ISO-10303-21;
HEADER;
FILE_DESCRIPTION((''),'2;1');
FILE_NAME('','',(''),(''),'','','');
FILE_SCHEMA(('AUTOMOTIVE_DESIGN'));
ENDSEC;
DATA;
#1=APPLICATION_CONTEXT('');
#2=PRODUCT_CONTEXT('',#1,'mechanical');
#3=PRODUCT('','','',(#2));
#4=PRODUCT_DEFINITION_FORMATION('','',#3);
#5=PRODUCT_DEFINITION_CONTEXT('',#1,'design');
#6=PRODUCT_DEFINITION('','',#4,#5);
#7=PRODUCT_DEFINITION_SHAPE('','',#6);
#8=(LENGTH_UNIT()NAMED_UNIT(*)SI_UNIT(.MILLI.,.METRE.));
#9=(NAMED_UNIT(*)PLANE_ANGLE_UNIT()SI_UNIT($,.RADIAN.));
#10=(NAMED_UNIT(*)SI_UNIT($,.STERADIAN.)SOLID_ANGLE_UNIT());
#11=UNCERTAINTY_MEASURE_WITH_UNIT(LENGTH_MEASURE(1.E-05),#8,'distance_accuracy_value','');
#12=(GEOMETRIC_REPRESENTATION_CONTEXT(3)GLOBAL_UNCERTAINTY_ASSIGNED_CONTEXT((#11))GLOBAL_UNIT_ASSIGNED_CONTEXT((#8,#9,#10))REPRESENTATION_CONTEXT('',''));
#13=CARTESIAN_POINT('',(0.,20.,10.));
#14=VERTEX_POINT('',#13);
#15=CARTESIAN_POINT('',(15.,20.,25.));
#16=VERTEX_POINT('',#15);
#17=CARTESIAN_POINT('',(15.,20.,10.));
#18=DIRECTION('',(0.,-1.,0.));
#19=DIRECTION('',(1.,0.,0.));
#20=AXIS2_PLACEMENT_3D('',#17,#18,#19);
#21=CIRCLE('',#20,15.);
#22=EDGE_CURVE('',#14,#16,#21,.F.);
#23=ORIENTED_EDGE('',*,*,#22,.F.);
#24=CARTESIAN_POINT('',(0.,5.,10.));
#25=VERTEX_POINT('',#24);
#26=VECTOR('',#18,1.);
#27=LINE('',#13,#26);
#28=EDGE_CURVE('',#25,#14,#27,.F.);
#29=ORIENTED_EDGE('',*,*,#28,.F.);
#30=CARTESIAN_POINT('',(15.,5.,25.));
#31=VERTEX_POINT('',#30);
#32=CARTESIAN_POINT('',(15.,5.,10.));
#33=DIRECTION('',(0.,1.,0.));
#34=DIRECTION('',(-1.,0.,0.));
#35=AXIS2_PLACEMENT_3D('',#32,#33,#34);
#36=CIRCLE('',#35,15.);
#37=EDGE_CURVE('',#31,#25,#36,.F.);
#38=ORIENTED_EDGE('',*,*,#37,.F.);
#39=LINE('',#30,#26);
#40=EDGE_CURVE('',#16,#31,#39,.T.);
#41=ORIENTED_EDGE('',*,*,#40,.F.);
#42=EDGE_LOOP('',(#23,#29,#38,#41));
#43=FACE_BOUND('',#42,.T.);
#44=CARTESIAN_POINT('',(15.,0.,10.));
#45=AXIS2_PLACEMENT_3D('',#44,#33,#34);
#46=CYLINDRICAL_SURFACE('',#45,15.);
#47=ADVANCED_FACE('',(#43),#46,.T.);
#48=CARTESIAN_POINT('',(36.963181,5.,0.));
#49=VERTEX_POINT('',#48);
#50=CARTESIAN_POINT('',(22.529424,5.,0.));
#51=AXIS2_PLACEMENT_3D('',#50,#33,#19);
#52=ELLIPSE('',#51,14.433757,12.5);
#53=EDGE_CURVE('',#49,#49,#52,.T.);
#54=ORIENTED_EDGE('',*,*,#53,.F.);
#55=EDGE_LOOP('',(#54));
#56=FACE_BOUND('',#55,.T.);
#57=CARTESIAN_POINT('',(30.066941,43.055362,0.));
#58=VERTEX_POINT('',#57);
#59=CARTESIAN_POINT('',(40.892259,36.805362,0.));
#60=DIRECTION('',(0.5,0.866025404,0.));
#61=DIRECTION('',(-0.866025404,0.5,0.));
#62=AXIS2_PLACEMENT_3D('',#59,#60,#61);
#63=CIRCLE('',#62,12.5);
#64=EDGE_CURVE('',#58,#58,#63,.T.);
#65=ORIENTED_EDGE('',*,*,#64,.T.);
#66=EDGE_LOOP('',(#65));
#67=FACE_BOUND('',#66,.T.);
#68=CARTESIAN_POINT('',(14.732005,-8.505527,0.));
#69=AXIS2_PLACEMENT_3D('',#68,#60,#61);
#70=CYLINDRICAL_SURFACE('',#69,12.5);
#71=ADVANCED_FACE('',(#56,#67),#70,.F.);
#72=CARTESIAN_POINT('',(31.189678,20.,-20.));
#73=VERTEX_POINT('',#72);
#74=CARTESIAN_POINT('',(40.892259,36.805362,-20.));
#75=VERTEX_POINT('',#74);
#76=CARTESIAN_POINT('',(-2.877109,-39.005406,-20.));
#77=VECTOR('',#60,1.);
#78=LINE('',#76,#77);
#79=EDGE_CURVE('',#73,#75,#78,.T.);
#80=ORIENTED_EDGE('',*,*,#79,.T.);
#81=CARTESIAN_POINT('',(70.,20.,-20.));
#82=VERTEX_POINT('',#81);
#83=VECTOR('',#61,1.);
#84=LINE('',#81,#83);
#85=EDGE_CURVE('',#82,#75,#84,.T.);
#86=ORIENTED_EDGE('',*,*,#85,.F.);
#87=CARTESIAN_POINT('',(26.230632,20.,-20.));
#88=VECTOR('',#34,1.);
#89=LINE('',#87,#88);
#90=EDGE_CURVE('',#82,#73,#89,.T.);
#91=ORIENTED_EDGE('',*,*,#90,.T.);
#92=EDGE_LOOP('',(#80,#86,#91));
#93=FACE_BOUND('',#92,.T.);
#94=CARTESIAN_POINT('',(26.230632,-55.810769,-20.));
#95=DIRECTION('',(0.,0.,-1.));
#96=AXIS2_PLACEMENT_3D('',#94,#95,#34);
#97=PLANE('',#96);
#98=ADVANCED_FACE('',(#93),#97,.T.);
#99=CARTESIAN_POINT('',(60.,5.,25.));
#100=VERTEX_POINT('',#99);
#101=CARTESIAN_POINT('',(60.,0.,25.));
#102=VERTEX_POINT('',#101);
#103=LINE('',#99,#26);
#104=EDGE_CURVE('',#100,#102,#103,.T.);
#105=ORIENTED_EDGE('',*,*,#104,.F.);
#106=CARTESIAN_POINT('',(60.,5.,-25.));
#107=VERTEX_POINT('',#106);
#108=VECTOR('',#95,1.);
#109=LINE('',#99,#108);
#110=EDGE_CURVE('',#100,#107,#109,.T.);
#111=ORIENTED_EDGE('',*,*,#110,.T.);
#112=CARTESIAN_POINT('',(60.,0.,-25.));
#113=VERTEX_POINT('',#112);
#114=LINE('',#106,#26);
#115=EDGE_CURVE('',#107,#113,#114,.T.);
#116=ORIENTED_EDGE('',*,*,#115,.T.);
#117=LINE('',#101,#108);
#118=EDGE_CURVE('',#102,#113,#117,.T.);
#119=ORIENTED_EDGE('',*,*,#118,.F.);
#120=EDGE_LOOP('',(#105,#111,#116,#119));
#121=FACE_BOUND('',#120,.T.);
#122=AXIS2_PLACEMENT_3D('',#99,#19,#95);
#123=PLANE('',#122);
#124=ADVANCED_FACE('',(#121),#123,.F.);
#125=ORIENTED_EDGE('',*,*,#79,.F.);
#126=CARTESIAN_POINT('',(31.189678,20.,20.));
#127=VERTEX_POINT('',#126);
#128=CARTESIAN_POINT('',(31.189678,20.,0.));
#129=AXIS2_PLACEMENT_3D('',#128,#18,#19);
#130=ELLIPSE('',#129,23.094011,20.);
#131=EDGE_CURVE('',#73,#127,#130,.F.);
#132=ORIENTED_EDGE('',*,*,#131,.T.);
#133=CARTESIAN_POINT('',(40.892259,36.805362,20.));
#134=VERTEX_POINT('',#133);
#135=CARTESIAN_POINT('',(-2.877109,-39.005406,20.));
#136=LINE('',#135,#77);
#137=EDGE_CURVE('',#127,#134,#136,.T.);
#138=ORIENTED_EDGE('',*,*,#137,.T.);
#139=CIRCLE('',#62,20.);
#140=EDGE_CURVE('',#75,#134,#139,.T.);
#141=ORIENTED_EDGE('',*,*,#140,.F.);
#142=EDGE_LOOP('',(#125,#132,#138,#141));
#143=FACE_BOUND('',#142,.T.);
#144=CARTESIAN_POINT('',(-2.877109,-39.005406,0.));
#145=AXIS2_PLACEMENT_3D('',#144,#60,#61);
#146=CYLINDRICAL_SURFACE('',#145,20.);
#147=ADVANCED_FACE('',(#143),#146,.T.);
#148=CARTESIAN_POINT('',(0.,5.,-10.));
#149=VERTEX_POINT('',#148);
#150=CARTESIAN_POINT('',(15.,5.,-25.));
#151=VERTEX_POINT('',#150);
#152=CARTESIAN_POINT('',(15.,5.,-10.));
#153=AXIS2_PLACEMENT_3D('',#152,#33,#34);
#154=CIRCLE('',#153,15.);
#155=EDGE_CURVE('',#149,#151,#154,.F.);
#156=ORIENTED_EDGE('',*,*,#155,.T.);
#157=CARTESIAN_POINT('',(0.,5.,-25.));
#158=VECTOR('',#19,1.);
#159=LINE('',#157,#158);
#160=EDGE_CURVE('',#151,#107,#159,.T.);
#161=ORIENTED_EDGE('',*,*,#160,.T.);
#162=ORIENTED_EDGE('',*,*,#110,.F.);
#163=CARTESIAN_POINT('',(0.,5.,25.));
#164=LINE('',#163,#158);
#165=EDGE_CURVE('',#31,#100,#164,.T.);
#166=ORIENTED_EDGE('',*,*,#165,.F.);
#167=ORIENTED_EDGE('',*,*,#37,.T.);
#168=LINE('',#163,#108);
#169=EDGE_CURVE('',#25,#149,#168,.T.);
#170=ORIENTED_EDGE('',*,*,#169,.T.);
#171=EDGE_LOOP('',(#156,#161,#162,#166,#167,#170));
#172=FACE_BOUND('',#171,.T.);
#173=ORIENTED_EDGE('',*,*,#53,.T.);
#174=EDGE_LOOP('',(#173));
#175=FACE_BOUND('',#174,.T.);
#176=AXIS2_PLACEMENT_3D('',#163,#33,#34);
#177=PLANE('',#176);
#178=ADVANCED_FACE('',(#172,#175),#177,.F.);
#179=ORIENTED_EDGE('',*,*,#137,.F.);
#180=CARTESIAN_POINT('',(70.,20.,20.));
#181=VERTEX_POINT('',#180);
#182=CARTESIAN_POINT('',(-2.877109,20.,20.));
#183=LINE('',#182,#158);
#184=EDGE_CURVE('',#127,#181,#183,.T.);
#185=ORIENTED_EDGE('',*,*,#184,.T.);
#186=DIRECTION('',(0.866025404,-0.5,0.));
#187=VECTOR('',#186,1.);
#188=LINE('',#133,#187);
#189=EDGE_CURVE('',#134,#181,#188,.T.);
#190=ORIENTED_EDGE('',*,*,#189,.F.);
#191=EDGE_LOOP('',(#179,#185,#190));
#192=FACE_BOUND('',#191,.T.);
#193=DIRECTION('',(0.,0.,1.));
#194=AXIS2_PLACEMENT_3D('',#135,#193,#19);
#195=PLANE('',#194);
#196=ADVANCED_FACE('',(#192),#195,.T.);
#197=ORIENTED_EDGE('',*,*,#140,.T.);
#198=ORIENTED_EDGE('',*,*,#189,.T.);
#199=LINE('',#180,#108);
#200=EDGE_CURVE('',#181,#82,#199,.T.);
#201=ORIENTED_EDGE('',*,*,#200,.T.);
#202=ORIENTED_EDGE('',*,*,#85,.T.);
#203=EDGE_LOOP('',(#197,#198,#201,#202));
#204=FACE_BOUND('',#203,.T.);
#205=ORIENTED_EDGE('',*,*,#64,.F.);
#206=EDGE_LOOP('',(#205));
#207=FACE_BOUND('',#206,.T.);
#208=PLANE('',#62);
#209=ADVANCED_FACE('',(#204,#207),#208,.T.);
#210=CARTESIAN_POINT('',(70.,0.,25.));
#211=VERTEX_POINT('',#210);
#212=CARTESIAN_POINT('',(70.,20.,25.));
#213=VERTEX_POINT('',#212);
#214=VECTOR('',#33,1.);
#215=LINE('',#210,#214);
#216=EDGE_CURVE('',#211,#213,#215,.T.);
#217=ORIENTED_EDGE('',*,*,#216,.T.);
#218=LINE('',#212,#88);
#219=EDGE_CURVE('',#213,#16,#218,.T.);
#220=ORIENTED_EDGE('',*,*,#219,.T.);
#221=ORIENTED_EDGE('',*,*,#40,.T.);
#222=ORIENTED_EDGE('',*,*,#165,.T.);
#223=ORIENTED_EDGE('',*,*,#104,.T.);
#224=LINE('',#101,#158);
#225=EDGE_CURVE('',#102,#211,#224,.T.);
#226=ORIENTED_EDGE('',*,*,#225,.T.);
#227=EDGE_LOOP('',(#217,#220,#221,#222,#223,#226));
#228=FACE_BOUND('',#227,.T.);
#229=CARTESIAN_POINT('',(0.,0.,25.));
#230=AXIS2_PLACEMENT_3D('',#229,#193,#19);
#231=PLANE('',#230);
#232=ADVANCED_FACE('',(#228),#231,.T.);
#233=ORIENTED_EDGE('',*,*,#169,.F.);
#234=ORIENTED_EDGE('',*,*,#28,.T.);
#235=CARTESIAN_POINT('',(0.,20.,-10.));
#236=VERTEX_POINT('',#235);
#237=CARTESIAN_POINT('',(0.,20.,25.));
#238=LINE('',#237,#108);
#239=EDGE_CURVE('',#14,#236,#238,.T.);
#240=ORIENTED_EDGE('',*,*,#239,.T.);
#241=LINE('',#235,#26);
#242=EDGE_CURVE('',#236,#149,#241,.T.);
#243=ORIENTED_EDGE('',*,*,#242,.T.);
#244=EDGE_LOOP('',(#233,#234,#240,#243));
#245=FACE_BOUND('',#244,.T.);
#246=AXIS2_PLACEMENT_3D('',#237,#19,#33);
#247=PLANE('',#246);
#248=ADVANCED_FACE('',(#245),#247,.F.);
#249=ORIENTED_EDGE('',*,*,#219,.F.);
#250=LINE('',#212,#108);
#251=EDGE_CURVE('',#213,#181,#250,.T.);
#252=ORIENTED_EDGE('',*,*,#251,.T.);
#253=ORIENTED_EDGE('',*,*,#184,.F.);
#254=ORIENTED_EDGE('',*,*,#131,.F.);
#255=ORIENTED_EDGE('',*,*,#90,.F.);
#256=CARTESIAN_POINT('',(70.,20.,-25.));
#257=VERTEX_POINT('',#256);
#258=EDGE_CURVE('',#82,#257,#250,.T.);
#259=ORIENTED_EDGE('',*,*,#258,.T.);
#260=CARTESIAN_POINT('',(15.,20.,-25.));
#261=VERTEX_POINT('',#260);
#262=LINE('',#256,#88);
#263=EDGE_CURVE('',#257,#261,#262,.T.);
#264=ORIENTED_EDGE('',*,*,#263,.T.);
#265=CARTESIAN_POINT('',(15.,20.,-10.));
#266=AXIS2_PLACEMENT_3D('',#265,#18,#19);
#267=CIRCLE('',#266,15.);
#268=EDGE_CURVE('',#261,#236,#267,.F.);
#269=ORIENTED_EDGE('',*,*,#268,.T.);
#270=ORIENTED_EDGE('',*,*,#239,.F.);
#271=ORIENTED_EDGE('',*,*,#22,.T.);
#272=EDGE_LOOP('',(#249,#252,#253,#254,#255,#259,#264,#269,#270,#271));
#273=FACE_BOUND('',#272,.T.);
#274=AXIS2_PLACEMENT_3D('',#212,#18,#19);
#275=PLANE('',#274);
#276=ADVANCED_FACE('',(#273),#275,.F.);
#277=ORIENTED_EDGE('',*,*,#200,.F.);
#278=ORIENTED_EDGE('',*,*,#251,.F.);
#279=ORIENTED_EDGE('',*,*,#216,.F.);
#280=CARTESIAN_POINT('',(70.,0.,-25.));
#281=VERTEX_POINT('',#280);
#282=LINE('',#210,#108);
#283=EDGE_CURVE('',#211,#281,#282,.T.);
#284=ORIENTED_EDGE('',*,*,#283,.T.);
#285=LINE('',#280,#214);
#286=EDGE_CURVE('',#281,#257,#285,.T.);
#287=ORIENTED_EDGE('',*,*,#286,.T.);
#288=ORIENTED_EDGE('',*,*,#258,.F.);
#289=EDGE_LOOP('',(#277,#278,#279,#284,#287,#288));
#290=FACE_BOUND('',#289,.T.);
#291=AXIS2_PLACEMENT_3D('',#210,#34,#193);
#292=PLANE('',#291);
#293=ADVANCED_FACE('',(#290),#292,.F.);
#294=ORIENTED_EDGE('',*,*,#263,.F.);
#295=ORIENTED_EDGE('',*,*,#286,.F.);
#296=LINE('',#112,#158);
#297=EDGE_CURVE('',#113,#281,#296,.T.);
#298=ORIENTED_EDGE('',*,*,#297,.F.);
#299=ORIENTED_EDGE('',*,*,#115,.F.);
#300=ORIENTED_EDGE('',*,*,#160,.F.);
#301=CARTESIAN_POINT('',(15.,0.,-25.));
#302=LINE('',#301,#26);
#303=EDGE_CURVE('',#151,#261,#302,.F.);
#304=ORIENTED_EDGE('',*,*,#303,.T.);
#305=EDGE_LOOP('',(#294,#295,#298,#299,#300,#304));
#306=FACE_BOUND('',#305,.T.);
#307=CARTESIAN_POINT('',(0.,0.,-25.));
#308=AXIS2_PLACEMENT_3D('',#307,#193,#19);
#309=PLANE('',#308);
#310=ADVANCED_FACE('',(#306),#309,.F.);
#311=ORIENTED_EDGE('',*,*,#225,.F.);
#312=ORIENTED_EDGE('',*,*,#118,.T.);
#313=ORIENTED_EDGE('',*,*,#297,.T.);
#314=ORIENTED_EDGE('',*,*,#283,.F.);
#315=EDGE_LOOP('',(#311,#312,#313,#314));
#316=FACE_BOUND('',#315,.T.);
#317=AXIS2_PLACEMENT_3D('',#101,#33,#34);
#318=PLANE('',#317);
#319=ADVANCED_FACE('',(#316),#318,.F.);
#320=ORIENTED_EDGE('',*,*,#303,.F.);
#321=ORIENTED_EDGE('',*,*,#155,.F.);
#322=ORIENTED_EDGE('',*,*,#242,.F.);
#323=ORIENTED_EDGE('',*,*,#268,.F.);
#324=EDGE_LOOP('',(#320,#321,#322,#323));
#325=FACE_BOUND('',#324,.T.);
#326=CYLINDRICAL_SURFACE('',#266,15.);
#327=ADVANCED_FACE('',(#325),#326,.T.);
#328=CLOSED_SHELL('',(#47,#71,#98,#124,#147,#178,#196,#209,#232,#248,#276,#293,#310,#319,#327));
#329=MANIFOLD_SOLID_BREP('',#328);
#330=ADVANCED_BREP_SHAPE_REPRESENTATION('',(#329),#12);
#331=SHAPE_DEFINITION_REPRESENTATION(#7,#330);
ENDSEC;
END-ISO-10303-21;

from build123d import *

# Parameters (mm, degrees)
BOSS_EXTRUDE1_DEPTH = 25
FILLET1_R           = 15
BOSS_EXTRUDE2_REACH = 69.823
SKETCH3_R           = 12.5
CUT_EXTRUDE1_DEPTH  = 68.823299831


with BuildPart() as part:
    # Sketch1 → Boss-Extrude1 (new, symmetric)
    with BuildSketch(Plane.XY):
        Polygon((60, 0), (70, 0), (70, 20), (0, 20), (0, 5), (60, 5), align=None)
    extrude(amount=BOSS_EXTRUDE1_DEPTH, both=True)

    # Fillet1
    fillet1_edges = [part.edges().sort_by_distance(p)[0] for p in [
        (0, 12.5, 25),
        (0, 12.5, -25),
    ]]
    fillet(fillet1_edges, radius=FILLET1_R)

    # Boss-Extrude2: up to this face of the body (flat: up to its plane)
    boss_extrude2_end = Plane(part.part.faces().sort_by_distance((35.898040292, 20, 0))[0])
    # Sketch2 → Boss-Extrude2 (add, up to the picked face)
    with BuildSketch(Plane(origin=(26.160254038, 45.310889132, 0), x_dir=(0, 0, -1), z_dir=(0.500000000000001, 0.866025403784438, 0)), mode=Mode.PRIVATE) as boss_extrude2_sk1:
        with BuildLine():
            Line((-20, -50.621778265), (20, -50.621778265))
            Line((20, -50.621778265), (20, -17.011053667))
            ThreePointArc((20, -17.011053667), (0, 2.988946333), (-20, -17.011053667))
            Line((-20, -17.011053667), (-20, -50.621778265))
        make_face()
    boss_extrude2_tool1 = split(extrude(boss_extrude2_sk1.sketch, amount=-BOSS_EXTRUDE2_REACH, mode=Mode.PRIVATE), bisect_by=boss_extrude2_end, keep=Keep.BOTH, mode=Mode.PRIVATE)
    add(boss_extrude2_tool1.solids().sort_by(Axis((48.469429, 32.430681, 0), (-0.500000000000001, -0.866025403784438, 0)))[0])

    # Sketch3 → Cut-Extrude1 (cut, through all)
    with BuildSketch(Plane(origin=(26.160254038, 45.310889132, 0), x_dir=(0, 0, -1), z_dir=(0.500000000000001, 0.866025403784438, 0))):
        with Locations(Location((0, -17.011053667, 0), (0, 0, 90))):
            Circle(SKETCH3_R)
    extrude(amount=-CUT_EXTRUDE1_DEPTH, mode=Mode.SUBTRACT)


solid = part.part
